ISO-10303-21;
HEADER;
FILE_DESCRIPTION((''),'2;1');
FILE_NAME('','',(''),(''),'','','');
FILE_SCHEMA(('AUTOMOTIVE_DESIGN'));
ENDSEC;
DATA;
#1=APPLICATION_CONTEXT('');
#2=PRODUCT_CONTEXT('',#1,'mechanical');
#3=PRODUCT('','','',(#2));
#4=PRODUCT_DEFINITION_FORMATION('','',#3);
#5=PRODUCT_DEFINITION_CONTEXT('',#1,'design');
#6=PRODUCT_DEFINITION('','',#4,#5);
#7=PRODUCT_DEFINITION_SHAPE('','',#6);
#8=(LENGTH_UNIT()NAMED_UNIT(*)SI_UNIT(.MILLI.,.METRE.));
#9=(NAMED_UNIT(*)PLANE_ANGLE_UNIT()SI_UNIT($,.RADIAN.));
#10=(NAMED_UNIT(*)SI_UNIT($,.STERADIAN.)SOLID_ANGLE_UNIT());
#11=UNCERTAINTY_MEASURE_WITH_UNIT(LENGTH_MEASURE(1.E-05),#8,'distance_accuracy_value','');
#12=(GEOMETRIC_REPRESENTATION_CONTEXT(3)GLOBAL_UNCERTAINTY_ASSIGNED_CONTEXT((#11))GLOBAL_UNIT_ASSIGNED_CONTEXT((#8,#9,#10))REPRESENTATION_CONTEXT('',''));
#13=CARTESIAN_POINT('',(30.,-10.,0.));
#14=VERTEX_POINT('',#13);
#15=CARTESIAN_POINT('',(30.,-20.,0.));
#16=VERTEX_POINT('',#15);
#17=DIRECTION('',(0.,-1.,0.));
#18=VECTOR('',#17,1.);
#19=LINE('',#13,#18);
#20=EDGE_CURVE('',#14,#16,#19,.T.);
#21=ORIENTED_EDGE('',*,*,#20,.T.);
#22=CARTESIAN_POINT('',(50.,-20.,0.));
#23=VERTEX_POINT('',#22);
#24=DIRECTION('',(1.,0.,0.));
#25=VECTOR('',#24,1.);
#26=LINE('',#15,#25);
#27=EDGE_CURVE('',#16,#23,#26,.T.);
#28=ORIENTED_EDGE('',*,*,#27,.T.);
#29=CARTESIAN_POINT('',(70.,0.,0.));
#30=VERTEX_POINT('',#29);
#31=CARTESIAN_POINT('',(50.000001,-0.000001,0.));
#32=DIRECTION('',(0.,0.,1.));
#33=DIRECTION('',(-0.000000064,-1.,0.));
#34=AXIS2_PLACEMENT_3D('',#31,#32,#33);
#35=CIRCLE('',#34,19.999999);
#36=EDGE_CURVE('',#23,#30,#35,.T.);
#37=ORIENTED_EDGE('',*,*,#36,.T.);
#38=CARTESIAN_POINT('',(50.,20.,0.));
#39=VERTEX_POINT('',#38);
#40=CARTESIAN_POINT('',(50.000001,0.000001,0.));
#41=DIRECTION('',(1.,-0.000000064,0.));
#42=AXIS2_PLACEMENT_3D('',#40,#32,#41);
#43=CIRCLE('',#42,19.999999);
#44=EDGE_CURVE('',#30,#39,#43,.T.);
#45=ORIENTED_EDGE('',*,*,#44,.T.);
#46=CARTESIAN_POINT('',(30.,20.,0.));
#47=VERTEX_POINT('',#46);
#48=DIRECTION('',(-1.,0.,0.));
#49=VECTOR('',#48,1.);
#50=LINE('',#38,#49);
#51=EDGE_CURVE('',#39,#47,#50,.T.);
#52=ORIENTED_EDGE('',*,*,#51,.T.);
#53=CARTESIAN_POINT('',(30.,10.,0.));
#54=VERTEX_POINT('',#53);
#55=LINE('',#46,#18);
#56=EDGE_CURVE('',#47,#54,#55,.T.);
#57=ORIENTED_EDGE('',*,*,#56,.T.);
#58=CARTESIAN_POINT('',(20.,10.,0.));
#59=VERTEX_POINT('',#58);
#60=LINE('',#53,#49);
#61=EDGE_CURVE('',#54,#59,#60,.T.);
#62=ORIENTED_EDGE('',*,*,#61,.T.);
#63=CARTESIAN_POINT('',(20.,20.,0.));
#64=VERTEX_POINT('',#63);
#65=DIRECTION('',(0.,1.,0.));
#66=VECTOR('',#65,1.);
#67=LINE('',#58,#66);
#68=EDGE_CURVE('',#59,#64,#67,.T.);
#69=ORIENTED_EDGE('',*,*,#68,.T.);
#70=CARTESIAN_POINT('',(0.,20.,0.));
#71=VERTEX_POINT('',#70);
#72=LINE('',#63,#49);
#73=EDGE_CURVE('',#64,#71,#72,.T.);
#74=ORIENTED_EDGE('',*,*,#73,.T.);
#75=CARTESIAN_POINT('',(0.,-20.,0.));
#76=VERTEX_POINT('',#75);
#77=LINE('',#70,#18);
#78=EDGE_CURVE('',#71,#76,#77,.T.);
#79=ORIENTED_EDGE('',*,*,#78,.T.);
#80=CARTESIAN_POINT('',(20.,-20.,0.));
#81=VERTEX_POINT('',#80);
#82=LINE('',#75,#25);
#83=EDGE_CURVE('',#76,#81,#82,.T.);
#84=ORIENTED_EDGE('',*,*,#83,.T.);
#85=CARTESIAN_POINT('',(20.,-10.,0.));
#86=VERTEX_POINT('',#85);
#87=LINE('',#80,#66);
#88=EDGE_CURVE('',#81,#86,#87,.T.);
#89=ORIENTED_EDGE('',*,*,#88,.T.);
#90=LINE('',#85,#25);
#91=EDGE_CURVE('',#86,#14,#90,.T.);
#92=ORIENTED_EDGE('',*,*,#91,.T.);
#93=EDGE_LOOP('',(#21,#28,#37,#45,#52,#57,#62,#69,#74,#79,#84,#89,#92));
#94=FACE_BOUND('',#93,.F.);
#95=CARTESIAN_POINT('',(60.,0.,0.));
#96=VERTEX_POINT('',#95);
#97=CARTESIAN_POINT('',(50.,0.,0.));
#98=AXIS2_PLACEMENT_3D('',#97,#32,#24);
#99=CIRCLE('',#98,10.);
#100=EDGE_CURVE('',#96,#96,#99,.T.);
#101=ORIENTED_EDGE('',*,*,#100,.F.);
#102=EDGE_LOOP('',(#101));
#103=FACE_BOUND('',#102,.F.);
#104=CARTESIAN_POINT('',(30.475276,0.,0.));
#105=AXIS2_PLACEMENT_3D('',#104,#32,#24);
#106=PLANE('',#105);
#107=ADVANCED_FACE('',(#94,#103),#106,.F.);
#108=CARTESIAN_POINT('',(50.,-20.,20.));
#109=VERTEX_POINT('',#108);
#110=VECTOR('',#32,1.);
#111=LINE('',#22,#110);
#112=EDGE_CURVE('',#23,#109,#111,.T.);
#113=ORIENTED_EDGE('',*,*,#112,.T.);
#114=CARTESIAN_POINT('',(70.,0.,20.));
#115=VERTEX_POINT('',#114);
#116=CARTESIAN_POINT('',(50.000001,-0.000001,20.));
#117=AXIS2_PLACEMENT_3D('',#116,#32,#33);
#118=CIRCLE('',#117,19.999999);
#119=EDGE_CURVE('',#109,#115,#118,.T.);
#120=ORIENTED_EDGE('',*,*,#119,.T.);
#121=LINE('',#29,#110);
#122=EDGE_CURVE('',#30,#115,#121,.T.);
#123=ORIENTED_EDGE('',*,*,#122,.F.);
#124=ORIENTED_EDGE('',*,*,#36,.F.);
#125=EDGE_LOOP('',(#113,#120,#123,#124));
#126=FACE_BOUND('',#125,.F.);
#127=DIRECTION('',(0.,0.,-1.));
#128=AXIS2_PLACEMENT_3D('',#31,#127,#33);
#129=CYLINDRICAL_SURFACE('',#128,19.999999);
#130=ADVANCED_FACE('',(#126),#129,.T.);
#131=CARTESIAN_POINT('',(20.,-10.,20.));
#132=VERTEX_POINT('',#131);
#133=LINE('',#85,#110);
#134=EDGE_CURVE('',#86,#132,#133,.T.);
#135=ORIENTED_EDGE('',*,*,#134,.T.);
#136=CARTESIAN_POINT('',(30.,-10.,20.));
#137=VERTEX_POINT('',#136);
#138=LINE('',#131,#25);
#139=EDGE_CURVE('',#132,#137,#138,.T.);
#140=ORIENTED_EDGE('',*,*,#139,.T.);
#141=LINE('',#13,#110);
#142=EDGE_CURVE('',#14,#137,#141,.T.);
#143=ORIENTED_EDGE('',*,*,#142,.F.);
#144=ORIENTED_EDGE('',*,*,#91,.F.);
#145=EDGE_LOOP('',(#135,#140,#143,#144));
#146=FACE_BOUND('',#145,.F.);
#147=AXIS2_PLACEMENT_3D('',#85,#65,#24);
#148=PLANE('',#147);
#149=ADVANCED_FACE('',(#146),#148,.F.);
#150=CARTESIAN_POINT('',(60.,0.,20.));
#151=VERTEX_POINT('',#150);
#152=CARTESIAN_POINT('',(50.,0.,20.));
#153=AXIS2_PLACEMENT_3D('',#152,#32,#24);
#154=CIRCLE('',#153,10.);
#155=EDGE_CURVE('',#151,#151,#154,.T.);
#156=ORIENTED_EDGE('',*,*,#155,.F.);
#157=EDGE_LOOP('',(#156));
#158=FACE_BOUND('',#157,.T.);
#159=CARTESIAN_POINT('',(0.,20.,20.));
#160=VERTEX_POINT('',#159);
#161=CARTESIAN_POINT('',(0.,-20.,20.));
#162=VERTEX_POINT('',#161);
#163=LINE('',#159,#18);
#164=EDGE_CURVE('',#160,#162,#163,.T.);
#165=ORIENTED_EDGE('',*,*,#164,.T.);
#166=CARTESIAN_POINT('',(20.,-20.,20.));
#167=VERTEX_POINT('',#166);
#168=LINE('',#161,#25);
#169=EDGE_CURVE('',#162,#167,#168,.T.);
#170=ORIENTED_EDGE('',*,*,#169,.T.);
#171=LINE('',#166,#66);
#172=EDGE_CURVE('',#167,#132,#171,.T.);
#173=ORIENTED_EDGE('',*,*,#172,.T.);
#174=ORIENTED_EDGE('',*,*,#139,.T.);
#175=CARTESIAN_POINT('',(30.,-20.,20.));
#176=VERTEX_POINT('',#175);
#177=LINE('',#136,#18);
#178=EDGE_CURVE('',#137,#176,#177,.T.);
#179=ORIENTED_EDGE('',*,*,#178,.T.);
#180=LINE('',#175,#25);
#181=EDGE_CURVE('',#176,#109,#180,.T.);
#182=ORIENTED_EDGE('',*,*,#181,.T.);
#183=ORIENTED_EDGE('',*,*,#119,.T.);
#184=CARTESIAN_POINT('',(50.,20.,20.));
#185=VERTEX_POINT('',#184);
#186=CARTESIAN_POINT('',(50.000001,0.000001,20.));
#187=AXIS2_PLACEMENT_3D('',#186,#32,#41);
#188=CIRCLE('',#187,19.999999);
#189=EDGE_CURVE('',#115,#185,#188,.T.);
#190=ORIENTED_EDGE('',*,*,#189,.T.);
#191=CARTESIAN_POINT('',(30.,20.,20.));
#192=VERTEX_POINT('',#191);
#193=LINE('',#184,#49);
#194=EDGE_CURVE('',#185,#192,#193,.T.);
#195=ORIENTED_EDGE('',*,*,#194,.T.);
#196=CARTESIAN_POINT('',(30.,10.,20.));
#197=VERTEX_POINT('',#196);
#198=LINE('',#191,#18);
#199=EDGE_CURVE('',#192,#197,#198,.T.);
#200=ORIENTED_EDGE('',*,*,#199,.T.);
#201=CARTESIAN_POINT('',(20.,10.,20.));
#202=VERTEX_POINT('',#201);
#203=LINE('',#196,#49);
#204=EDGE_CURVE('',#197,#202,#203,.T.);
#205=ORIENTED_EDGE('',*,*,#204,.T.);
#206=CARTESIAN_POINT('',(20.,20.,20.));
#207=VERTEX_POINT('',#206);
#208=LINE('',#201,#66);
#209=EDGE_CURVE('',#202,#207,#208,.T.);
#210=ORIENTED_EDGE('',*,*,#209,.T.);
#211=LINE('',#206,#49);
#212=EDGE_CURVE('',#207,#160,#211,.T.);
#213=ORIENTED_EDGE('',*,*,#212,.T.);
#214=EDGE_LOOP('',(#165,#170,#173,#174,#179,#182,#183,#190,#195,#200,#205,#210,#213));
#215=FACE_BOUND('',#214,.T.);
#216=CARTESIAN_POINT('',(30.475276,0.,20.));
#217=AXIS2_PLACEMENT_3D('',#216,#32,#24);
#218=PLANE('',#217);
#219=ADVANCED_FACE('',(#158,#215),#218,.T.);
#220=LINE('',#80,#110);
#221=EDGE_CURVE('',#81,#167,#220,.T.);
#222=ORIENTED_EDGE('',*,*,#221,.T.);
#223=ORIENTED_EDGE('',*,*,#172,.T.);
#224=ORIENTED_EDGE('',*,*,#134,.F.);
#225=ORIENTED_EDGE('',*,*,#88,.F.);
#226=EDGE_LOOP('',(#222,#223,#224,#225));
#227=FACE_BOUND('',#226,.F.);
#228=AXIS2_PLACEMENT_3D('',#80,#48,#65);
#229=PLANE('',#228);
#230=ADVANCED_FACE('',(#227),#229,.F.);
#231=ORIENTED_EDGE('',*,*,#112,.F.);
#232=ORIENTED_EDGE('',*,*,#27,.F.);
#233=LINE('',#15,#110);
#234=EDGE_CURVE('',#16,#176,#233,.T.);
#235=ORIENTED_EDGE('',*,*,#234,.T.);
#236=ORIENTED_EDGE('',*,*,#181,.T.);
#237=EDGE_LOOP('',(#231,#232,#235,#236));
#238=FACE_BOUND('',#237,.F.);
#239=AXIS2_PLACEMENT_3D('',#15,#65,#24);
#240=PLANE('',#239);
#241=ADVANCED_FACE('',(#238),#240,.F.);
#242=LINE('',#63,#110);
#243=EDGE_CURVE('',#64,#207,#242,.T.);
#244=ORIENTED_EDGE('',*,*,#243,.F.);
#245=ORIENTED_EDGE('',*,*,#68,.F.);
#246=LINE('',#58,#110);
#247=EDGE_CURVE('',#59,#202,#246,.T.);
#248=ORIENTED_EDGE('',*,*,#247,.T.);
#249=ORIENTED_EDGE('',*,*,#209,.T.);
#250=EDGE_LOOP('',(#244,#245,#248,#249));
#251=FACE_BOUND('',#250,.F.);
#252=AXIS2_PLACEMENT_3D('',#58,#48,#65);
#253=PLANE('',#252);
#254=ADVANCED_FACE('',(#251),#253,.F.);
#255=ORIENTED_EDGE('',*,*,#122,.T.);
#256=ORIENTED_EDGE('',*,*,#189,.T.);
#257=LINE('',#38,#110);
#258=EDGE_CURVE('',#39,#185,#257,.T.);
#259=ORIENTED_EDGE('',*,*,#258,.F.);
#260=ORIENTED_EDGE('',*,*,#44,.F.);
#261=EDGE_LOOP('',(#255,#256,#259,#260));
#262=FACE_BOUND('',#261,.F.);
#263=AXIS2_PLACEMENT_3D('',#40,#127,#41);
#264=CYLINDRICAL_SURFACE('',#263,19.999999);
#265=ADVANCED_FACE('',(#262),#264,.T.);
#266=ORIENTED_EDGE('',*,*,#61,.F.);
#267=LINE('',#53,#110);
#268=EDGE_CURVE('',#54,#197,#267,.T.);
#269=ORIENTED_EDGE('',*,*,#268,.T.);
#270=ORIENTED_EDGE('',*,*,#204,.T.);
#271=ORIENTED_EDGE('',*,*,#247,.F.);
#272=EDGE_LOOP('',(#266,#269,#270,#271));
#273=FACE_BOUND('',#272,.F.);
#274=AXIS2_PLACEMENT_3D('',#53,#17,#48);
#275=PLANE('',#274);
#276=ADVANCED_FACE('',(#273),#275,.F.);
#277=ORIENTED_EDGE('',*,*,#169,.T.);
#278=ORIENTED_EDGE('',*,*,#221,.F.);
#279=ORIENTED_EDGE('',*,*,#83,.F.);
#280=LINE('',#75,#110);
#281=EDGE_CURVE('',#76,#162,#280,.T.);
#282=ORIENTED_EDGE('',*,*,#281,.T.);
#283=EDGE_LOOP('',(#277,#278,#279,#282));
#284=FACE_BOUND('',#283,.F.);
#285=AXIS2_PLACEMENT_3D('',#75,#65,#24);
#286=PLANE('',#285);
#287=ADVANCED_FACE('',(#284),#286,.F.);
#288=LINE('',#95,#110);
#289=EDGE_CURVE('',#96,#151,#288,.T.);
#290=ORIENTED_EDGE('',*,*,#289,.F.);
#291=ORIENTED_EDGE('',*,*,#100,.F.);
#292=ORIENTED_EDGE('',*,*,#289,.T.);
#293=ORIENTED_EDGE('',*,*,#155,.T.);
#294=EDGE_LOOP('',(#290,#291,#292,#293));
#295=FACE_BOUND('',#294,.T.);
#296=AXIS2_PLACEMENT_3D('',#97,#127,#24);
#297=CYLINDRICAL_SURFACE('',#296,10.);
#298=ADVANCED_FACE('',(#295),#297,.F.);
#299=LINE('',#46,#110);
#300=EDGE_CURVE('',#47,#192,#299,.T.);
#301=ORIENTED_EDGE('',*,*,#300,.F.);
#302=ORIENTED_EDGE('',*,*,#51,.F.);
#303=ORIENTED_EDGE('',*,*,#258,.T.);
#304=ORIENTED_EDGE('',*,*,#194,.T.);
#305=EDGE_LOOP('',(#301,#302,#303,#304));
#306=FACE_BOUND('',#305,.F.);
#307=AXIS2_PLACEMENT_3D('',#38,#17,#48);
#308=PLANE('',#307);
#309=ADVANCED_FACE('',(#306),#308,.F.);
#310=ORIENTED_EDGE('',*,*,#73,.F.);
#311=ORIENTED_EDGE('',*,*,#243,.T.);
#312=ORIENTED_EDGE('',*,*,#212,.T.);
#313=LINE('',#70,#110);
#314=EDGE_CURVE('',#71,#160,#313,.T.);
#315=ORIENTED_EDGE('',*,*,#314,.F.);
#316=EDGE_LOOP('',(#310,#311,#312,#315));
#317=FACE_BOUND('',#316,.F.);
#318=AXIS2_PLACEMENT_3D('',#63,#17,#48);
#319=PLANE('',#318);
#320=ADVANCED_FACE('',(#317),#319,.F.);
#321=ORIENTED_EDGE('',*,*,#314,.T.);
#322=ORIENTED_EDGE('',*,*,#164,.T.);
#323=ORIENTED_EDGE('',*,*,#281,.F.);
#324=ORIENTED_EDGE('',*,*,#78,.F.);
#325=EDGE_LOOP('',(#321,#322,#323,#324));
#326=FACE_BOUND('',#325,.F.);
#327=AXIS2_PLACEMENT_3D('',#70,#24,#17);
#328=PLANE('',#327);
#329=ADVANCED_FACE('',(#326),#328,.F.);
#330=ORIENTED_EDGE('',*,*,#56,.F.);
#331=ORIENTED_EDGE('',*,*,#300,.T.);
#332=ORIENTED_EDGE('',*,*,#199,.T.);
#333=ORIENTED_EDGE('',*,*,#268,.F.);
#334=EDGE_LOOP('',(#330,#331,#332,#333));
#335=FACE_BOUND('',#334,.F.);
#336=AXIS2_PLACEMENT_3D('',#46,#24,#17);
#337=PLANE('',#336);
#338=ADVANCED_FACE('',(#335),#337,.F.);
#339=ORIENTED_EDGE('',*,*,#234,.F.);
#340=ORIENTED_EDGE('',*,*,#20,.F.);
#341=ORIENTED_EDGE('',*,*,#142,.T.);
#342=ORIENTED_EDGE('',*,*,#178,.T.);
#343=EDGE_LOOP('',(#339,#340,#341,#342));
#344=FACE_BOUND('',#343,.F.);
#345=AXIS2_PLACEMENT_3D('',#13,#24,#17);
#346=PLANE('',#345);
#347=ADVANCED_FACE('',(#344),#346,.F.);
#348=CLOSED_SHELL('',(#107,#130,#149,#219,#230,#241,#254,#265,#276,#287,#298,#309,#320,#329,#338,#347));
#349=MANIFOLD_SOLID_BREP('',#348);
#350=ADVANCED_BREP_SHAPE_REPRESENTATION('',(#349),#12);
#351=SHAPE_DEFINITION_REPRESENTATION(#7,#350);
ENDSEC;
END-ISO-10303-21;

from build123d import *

# Parameters (mm, degrees)
F0_R     = 10
F1_DEPTH = 20


with BuildPart() as f1:
    # F0 (on Top) → F1 (new body)
    with BuildSketch(Plane.XY):
        with BuildLine():
            Line((0, 20), (0, 0))
            Line((0, 0), (0, -20))
            Line((0, -20), (20, -20))
            Line((20, -20), (20, -10))
            Line((20, -10), (30, -10))
            Line((30, -10), (30, -20))
            Line((30, -20), (50, -20))
            ThreePointArc((50, -20), (64.142136, -14.142136), (70, 0))
            ThreePointArc((70, 0), (64.142136, 14.142136), (50, 20))
            Line((50, 20), (30, 20))
            Line((30, 20), (30, 10))
            Line((30, 10), (20, 10))
            Line((20, 10), (20, 20))
            Line((20, 20), (0, 20))
        make_face()
        with Locations((50, 0)):
            Circle(F0_R, mode=Mode.SUBTRACT)
    extrude(amount=F1_DEPTH)


solid = f1.part
